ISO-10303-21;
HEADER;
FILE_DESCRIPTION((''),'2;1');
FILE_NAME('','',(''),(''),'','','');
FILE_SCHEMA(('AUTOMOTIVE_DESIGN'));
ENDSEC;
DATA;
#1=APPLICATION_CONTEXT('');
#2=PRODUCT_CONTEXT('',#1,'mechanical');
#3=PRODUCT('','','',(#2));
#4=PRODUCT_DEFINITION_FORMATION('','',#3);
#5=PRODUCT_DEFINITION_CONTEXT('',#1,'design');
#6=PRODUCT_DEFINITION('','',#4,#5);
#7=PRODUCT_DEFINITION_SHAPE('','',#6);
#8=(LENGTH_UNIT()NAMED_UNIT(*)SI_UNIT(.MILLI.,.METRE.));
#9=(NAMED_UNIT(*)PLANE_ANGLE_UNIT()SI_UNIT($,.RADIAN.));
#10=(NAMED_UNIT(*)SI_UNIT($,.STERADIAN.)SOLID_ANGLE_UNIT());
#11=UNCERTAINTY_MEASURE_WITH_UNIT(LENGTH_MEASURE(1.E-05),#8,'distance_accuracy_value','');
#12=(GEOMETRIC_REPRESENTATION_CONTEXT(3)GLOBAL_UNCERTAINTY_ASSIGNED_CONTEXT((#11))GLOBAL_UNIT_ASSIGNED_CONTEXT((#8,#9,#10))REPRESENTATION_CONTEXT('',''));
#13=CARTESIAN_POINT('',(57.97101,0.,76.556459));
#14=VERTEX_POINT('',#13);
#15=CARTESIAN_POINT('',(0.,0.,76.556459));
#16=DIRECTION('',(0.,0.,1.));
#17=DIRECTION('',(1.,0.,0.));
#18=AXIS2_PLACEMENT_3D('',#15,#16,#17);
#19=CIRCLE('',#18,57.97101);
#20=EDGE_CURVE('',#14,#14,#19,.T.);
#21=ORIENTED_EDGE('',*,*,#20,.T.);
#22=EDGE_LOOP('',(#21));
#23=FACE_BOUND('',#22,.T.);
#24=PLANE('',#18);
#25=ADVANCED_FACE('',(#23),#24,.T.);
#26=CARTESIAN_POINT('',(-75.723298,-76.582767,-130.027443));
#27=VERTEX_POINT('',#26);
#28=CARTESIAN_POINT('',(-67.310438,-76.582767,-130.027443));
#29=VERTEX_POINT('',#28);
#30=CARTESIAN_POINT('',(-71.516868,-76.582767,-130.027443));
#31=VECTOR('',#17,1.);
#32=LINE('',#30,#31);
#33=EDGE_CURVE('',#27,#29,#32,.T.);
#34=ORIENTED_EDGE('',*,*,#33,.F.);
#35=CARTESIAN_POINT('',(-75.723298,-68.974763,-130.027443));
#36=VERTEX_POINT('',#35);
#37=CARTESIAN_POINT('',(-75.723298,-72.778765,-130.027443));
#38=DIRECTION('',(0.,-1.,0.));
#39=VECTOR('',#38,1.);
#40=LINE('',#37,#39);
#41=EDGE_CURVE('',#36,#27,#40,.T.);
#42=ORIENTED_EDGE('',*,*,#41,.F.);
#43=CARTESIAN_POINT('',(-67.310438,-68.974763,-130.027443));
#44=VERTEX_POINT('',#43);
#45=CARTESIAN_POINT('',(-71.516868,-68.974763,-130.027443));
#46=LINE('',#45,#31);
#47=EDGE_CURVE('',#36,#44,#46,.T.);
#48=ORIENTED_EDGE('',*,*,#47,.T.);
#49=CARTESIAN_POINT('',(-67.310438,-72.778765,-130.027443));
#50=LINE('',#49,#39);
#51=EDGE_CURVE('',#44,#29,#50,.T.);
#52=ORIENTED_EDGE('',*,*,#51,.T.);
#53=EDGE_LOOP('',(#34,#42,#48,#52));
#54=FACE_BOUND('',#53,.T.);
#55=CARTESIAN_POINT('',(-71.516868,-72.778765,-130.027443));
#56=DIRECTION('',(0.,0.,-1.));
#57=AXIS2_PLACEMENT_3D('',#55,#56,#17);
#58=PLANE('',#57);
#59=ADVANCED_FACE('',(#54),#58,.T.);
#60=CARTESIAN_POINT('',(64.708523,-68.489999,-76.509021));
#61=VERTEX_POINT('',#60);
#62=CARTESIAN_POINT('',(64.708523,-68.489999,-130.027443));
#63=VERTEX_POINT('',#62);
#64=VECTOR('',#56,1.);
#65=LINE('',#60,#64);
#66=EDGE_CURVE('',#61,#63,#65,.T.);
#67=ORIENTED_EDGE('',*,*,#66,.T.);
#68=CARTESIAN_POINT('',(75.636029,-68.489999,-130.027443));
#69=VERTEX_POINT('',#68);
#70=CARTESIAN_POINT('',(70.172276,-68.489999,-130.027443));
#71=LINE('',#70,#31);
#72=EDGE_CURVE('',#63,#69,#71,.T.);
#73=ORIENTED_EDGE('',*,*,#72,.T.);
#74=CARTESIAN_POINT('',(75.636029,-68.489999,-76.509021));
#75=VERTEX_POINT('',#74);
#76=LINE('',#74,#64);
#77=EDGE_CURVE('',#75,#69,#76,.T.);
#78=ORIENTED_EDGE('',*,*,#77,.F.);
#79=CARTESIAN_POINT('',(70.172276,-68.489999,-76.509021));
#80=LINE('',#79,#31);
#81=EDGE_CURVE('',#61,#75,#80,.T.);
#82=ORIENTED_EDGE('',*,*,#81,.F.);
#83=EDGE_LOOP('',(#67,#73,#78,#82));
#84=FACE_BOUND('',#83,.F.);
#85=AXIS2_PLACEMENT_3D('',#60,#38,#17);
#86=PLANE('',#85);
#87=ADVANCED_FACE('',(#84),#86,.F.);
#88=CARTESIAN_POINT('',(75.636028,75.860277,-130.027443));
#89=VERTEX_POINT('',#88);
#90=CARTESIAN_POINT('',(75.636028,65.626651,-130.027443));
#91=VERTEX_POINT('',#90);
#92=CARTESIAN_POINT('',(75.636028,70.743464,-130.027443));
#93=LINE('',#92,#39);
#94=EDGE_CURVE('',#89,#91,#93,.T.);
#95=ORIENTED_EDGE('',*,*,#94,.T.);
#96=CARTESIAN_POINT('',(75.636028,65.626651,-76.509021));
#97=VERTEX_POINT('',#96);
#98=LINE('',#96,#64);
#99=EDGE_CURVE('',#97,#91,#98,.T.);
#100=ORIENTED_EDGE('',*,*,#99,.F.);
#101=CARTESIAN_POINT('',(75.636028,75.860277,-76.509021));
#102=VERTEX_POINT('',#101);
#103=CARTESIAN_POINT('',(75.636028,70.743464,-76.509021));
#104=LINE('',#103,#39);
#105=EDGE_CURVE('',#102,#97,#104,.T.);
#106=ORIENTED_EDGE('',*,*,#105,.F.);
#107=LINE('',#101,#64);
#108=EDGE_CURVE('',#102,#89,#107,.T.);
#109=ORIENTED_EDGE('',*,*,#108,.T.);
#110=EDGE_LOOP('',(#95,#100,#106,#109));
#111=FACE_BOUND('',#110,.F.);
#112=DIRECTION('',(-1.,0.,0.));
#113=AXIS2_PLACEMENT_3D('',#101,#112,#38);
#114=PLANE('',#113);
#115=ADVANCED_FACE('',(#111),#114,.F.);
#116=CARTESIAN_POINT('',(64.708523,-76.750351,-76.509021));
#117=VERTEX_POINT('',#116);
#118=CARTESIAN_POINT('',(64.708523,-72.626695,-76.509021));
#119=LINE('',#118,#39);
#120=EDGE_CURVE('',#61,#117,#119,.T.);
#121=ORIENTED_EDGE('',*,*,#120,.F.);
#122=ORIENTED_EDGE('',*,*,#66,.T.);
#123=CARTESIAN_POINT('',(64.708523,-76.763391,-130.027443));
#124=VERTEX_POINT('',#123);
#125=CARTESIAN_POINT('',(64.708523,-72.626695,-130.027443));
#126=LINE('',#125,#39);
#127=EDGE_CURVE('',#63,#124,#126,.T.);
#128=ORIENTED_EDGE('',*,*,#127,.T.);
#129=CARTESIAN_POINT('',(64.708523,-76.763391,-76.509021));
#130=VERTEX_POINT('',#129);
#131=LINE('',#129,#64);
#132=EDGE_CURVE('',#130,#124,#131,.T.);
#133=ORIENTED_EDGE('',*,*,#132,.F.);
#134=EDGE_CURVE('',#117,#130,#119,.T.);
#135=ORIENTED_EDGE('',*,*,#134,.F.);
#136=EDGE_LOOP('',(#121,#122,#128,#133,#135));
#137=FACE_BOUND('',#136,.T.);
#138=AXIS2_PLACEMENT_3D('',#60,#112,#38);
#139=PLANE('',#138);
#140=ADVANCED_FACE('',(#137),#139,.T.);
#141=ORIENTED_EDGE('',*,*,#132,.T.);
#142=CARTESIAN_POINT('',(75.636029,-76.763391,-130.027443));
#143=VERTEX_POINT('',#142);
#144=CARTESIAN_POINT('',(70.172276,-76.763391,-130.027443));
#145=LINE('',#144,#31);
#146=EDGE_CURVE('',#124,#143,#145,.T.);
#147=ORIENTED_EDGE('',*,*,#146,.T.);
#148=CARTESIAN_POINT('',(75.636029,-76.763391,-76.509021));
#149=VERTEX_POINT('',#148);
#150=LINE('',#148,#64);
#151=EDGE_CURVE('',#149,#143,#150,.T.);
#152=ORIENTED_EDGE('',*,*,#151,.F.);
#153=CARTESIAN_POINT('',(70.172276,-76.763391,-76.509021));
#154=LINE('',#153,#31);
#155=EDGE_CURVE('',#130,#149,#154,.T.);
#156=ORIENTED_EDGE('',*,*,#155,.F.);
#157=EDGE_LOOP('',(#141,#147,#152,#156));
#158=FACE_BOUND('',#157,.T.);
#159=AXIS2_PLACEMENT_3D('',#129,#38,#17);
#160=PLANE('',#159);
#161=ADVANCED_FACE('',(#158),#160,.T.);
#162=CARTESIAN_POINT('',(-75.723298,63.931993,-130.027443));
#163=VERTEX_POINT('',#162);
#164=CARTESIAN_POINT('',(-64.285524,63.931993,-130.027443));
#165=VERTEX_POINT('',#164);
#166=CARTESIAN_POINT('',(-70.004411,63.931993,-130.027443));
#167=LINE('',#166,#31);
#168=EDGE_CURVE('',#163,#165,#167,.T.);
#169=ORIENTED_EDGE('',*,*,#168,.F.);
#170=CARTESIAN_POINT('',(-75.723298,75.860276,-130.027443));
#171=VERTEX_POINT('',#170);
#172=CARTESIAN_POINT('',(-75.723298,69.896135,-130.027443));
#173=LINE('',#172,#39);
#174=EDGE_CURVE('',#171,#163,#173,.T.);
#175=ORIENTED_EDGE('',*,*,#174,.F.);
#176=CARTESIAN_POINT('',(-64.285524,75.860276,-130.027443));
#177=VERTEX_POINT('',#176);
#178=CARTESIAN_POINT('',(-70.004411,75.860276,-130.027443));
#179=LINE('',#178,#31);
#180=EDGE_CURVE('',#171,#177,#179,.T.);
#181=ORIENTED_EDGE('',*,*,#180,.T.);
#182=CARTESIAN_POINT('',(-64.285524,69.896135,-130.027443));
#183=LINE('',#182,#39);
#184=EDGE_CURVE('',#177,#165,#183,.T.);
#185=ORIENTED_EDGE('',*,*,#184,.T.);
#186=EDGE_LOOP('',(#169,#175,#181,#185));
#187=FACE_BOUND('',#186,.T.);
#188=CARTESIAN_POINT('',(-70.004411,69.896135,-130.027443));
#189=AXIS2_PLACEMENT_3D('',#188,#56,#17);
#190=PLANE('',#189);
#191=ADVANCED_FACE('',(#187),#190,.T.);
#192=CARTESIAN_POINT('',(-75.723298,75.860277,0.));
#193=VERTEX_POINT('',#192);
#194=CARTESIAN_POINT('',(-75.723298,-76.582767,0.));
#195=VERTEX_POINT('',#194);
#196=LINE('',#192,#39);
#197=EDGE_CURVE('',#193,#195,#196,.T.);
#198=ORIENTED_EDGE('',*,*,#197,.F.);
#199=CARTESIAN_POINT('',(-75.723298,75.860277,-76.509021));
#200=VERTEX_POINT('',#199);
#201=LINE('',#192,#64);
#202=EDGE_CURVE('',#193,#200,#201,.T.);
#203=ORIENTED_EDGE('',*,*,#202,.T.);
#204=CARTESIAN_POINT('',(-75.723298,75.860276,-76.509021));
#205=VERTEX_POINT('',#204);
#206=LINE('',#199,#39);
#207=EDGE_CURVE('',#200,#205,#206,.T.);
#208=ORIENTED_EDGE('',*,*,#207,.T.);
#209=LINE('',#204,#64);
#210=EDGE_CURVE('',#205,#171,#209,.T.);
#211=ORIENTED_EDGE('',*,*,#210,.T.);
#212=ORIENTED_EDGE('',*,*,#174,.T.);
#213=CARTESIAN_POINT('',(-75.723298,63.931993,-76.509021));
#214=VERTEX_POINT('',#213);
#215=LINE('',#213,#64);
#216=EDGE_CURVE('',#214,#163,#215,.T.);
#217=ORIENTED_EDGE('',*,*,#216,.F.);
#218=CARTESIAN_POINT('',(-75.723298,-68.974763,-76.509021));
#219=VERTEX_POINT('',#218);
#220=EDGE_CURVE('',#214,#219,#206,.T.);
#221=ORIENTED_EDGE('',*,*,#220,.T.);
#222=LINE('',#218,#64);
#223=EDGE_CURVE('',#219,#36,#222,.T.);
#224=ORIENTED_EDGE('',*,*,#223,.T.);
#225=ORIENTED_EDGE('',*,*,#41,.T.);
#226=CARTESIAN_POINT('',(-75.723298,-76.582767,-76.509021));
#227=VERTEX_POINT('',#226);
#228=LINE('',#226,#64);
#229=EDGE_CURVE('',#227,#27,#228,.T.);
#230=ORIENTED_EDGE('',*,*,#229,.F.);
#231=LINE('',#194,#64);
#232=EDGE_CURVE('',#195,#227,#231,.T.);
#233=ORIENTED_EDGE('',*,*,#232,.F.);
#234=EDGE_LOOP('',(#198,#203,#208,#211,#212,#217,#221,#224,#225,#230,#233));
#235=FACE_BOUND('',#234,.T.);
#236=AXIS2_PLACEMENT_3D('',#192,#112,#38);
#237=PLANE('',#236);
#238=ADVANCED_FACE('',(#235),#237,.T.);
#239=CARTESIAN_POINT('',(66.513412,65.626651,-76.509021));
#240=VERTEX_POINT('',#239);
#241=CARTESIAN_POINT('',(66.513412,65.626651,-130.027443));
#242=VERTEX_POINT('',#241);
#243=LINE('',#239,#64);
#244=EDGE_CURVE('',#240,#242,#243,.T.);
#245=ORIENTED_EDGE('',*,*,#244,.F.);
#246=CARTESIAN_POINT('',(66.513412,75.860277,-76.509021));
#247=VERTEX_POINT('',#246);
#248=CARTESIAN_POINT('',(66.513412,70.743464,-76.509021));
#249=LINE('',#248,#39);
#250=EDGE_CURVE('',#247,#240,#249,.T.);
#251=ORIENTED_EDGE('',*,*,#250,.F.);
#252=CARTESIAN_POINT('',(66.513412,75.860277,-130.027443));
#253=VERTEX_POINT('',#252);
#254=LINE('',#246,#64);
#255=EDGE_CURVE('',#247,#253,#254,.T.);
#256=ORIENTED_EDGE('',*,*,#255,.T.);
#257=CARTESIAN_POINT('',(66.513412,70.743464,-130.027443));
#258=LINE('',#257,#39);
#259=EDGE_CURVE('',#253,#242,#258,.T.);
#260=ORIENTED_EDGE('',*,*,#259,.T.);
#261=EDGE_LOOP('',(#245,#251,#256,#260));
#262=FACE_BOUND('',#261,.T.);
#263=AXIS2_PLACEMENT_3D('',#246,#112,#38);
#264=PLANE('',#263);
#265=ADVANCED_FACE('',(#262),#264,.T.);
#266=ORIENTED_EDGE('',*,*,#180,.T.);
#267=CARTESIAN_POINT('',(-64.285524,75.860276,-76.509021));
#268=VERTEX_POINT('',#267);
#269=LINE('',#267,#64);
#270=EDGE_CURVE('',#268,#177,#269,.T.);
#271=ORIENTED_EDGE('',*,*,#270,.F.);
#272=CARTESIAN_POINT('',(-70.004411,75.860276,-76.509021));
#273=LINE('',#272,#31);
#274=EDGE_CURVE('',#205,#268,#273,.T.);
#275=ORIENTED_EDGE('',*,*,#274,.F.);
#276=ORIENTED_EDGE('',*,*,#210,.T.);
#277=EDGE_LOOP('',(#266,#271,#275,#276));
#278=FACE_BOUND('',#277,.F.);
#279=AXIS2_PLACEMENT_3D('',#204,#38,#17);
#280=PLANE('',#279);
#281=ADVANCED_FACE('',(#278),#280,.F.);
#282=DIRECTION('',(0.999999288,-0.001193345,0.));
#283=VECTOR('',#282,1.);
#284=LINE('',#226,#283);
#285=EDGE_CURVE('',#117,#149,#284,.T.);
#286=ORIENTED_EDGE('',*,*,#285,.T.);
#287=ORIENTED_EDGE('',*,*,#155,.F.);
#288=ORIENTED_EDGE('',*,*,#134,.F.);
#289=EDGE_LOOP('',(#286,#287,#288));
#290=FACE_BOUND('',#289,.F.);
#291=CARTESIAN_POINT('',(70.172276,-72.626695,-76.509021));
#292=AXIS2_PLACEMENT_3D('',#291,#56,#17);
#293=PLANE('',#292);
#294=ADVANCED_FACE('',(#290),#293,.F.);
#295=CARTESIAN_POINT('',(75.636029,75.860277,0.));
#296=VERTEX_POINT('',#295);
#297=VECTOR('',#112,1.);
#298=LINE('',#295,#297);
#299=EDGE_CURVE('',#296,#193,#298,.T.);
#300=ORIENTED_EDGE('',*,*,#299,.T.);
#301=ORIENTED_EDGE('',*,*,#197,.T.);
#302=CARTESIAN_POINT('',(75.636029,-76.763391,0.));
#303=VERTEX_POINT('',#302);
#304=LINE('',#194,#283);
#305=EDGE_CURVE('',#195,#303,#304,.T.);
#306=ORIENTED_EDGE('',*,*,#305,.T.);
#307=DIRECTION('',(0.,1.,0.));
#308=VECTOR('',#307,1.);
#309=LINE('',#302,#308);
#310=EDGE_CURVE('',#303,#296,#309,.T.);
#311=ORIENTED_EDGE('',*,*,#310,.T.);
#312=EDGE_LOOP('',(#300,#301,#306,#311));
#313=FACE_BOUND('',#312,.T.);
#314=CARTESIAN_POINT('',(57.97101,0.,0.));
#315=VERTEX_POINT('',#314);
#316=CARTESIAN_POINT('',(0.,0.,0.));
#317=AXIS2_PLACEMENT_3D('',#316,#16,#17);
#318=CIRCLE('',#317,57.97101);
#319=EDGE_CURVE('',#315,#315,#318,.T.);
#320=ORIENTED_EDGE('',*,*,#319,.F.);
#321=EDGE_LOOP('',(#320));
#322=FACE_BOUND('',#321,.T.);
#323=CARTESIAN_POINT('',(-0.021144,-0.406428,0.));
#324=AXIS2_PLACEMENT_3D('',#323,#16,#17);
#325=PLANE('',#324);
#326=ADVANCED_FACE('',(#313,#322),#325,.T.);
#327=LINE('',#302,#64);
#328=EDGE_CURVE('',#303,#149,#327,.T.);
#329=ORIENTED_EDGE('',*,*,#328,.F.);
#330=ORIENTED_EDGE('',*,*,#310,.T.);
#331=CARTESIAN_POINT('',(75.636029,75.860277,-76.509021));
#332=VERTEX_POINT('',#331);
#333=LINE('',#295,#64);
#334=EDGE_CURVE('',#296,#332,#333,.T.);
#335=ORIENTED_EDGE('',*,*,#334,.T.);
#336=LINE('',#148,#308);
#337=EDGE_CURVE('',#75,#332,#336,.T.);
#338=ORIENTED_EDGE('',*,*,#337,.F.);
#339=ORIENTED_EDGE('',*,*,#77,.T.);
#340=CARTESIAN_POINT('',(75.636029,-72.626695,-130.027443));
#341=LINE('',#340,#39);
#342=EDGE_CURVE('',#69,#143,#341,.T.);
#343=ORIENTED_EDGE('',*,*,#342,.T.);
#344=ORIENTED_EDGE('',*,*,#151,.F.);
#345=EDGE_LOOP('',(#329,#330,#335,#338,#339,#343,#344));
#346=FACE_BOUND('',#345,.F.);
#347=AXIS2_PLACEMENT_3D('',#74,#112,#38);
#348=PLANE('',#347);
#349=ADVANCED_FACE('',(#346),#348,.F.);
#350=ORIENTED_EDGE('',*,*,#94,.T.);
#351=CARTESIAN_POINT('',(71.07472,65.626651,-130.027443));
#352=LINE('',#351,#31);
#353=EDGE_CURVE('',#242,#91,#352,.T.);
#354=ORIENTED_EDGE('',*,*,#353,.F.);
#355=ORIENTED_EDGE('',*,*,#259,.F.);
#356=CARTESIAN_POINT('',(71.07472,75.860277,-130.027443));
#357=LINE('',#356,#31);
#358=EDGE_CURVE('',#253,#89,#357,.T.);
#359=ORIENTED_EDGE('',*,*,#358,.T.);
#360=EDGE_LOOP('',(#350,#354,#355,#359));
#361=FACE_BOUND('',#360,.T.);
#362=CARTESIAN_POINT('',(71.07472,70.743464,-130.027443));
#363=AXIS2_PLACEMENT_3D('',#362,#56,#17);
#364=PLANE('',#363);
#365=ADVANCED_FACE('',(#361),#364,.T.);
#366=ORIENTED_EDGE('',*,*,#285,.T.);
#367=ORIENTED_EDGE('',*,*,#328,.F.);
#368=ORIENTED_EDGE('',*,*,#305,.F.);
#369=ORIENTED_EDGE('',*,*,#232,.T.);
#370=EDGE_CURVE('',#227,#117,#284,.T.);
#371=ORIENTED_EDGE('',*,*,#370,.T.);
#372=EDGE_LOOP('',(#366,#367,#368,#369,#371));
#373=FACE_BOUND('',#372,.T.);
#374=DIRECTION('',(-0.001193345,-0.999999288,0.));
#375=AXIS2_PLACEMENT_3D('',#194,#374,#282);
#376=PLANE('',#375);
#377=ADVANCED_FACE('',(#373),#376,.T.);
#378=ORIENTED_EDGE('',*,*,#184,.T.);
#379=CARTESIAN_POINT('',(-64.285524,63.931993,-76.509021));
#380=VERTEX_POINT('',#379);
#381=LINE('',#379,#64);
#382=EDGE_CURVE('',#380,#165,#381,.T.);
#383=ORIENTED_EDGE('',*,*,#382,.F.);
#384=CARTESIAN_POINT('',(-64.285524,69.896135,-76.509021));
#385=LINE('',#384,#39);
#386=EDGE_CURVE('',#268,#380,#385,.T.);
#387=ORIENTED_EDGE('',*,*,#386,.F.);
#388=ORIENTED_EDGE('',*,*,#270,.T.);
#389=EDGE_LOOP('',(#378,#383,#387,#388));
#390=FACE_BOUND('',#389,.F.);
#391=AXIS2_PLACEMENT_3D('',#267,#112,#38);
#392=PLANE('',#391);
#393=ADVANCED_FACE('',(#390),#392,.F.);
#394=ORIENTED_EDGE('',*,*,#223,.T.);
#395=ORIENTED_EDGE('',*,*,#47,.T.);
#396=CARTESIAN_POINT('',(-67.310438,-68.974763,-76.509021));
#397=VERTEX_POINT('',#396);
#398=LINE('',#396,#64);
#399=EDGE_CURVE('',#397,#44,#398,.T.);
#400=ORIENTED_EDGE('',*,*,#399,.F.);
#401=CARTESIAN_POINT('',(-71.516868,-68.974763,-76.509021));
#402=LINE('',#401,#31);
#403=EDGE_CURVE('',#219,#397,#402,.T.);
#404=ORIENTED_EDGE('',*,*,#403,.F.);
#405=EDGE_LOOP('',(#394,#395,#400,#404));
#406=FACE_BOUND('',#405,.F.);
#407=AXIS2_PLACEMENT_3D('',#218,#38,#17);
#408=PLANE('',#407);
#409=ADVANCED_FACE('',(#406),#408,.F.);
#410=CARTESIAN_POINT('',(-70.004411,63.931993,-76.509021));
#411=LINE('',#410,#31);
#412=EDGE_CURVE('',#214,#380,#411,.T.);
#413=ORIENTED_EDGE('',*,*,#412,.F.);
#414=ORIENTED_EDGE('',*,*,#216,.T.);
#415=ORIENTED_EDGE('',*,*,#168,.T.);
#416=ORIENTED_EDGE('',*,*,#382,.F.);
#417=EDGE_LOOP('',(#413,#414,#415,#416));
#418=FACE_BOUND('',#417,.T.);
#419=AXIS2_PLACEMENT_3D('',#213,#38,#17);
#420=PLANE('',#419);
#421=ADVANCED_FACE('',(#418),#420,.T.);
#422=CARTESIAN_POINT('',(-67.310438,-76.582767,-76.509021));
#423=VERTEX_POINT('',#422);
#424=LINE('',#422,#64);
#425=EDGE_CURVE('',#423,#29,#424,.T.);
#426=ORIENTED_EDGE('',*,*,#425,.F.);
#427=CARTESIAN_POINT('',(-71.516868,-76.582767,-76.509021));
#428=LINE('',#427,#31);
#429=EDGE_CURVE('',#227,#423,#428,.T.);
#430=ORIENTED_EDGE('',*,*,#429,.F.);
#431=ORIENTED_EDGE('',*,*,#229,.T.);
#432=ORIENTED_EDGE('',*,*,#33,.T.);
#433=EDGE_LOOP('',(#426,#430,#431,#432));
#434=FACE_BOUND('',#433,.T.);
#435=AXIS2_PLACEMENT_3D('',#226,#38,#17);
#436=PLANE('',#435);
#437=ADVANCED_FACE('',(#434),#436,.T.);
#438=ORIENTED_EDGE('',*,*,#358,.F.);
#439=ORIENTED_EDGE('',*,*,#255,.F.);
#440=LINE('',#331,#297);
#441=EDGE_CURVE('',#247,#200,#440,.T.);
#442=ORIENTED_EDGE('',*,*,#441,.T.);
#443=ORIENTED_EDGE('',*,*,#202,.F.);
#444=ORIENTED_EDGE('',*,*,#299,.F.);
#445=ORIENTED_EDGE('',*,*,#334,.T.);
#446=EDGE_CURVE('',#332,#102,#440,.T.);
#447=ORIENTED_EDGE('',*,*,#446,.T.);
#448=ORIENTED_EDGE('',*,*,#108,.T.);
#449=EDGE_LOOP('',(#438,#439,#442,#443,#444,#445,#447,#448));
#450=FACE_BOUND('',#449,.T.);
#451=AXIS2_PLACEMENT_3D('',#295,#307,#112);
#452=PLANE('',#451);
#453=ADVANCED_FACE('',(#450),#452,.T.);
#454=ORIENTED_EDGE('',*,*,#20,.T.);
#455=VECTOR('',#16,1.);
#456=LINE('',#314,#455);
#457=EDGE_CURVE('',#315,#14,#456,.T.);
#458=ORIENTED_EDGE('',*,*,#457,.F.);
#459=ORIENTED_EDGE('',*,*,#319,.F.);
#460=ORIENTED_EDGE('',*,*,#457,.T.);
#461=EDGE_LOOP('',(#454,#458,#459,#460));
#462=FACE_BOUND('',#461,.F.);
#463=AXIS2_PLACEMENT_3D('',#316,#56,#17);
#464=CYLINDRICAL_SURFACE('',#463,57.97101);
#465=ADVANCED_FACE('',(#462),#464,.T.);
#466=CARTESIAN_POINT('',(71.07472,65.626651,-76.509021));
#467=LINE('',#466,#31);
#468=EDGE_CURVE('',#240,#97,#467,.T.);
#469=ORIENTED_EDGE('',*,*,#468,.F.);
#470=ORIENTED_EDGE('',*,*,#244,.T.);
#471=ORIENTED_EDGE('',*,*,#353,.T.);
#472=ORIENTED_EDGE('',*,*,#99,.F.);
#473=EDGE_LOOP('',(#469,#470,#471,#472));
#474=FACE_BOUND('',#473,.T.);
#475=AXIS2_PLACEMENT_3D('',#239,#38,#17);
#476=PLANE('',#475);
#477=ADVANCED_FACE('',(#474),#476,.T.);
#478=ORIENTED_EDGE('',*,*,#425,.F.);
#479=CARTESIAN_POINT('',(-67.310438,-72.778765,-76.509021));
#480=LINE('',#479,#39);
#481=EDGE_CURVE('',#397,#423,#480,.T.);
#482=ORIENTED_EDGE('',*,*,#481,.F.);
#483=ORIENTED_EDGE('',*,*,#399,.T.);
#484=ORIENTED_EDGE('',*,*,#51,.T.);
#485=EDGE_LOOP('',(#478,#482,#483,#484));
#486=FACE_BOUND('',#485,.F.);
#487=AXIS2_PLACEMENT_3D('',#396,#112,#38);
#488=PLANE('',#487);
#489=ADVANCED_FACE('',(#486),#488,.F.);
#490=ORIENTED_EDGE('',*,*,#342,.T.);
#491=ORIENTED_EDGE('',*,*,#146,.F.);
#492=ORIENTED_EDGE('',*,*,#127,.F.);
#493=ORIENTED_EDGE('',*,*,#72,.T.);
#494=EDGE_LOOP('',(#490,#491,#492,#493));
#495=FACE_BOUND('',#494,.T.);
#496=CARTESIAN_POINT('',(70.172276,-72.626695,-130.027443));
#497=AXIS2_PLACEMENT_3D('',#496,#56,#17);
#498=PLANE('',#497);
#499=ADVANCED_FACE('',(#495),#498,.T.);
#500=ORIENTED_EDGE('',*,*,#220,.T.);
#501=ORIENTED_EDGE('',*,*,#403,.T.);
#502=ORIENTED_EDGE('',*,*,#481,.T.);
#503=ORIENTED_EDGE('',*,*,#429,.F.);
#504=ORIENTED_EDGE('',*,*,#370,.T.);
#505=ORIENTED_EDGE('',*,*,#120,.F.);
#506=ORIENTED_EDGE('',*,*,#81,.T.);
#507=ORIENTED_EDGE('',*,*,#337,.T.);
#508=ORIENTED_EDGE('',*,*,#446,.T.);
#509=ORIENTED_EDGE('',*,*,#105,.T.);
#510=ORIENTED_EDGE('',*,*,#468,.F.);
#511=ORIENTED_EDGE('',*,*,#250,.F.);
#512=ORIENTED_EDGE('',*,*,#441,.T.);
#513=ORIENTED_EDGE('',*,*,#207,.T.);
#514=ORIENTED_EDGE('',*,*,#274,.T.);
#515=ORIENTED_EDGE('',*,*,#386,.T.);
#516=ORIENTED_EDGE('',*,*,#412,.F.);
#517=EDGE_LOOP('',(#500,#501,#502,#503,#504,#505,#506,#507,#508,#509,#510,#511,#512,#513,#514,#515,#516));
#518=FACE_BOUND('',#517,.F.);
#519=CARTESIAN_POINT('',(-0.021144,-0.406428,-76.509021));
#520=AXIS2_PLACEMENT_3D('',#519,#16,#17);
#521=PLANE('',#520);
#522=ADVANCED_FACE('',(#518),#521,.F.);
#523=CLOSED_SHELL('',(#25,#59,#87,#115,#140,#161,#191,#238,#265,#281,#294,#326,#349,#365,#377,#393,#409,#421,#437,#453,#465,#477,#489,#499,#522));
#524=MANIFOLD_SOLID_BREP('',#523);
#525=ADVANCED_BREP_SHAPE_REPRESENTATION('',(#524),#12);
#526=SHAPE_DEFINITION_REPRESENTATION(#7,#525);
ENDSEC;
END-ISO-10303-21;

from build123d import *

# Parameters (mm, degrees)
F0_R     = 57.97101
F1_DEPTH = 76.556459
F3_DEPTH = 76.509021
F4_W     = 11.437774
F4_H     = 11.928283
F4_W_2   = 9.122617
F4_H_2   = 10.233626
F4_W_3   = 10.927506
F4_H_3   = 8.273392
F4_W_4   = 8.41286
F4_H_4   = 7.608004
F5_DEPTH = 53.518422


with BuildPart() as f1:
    # F0 (on Top) → F1 (new body)
    with BuildSketch(Plane.XY):
        Circle(F0_R)
    extrude(amount=F1_DEPTH)

    # F2 (on Top) → F3 (join)
    with BuildSketch(Plane.XY):
        Polygon((-75.723298, -76.582767), (75.636029, -76.763391), (75.636029, 75.860277), (-75.723298, 75.860277), align=None)
    extrude(amount=-F3_DEPTH)

    # F4 (on face) → F5 (join)
    with BuildSketch(Plane(origin=(0, 0, -76.509021), x_dir=(1, 0, 0), z_dir=(0, 0, -1))):
        with Locations((-70.004411, -69.896135)):
            Rectangle(F4_W, F4_H)
        with Locations((71.07472, -70.743464)):
            Rectangle(F4_W_2, F4_H_2)
        with Locations((70.172276, 72.626695)):
            Rectangle(F4_W_3, F4_H_3)
        with Locations((-71.516868, 72.778765)):
            Rectangle(F4_W_4, F4_H_4)
    extrude(amount=F5_DEPTH)


solid = f1.part
